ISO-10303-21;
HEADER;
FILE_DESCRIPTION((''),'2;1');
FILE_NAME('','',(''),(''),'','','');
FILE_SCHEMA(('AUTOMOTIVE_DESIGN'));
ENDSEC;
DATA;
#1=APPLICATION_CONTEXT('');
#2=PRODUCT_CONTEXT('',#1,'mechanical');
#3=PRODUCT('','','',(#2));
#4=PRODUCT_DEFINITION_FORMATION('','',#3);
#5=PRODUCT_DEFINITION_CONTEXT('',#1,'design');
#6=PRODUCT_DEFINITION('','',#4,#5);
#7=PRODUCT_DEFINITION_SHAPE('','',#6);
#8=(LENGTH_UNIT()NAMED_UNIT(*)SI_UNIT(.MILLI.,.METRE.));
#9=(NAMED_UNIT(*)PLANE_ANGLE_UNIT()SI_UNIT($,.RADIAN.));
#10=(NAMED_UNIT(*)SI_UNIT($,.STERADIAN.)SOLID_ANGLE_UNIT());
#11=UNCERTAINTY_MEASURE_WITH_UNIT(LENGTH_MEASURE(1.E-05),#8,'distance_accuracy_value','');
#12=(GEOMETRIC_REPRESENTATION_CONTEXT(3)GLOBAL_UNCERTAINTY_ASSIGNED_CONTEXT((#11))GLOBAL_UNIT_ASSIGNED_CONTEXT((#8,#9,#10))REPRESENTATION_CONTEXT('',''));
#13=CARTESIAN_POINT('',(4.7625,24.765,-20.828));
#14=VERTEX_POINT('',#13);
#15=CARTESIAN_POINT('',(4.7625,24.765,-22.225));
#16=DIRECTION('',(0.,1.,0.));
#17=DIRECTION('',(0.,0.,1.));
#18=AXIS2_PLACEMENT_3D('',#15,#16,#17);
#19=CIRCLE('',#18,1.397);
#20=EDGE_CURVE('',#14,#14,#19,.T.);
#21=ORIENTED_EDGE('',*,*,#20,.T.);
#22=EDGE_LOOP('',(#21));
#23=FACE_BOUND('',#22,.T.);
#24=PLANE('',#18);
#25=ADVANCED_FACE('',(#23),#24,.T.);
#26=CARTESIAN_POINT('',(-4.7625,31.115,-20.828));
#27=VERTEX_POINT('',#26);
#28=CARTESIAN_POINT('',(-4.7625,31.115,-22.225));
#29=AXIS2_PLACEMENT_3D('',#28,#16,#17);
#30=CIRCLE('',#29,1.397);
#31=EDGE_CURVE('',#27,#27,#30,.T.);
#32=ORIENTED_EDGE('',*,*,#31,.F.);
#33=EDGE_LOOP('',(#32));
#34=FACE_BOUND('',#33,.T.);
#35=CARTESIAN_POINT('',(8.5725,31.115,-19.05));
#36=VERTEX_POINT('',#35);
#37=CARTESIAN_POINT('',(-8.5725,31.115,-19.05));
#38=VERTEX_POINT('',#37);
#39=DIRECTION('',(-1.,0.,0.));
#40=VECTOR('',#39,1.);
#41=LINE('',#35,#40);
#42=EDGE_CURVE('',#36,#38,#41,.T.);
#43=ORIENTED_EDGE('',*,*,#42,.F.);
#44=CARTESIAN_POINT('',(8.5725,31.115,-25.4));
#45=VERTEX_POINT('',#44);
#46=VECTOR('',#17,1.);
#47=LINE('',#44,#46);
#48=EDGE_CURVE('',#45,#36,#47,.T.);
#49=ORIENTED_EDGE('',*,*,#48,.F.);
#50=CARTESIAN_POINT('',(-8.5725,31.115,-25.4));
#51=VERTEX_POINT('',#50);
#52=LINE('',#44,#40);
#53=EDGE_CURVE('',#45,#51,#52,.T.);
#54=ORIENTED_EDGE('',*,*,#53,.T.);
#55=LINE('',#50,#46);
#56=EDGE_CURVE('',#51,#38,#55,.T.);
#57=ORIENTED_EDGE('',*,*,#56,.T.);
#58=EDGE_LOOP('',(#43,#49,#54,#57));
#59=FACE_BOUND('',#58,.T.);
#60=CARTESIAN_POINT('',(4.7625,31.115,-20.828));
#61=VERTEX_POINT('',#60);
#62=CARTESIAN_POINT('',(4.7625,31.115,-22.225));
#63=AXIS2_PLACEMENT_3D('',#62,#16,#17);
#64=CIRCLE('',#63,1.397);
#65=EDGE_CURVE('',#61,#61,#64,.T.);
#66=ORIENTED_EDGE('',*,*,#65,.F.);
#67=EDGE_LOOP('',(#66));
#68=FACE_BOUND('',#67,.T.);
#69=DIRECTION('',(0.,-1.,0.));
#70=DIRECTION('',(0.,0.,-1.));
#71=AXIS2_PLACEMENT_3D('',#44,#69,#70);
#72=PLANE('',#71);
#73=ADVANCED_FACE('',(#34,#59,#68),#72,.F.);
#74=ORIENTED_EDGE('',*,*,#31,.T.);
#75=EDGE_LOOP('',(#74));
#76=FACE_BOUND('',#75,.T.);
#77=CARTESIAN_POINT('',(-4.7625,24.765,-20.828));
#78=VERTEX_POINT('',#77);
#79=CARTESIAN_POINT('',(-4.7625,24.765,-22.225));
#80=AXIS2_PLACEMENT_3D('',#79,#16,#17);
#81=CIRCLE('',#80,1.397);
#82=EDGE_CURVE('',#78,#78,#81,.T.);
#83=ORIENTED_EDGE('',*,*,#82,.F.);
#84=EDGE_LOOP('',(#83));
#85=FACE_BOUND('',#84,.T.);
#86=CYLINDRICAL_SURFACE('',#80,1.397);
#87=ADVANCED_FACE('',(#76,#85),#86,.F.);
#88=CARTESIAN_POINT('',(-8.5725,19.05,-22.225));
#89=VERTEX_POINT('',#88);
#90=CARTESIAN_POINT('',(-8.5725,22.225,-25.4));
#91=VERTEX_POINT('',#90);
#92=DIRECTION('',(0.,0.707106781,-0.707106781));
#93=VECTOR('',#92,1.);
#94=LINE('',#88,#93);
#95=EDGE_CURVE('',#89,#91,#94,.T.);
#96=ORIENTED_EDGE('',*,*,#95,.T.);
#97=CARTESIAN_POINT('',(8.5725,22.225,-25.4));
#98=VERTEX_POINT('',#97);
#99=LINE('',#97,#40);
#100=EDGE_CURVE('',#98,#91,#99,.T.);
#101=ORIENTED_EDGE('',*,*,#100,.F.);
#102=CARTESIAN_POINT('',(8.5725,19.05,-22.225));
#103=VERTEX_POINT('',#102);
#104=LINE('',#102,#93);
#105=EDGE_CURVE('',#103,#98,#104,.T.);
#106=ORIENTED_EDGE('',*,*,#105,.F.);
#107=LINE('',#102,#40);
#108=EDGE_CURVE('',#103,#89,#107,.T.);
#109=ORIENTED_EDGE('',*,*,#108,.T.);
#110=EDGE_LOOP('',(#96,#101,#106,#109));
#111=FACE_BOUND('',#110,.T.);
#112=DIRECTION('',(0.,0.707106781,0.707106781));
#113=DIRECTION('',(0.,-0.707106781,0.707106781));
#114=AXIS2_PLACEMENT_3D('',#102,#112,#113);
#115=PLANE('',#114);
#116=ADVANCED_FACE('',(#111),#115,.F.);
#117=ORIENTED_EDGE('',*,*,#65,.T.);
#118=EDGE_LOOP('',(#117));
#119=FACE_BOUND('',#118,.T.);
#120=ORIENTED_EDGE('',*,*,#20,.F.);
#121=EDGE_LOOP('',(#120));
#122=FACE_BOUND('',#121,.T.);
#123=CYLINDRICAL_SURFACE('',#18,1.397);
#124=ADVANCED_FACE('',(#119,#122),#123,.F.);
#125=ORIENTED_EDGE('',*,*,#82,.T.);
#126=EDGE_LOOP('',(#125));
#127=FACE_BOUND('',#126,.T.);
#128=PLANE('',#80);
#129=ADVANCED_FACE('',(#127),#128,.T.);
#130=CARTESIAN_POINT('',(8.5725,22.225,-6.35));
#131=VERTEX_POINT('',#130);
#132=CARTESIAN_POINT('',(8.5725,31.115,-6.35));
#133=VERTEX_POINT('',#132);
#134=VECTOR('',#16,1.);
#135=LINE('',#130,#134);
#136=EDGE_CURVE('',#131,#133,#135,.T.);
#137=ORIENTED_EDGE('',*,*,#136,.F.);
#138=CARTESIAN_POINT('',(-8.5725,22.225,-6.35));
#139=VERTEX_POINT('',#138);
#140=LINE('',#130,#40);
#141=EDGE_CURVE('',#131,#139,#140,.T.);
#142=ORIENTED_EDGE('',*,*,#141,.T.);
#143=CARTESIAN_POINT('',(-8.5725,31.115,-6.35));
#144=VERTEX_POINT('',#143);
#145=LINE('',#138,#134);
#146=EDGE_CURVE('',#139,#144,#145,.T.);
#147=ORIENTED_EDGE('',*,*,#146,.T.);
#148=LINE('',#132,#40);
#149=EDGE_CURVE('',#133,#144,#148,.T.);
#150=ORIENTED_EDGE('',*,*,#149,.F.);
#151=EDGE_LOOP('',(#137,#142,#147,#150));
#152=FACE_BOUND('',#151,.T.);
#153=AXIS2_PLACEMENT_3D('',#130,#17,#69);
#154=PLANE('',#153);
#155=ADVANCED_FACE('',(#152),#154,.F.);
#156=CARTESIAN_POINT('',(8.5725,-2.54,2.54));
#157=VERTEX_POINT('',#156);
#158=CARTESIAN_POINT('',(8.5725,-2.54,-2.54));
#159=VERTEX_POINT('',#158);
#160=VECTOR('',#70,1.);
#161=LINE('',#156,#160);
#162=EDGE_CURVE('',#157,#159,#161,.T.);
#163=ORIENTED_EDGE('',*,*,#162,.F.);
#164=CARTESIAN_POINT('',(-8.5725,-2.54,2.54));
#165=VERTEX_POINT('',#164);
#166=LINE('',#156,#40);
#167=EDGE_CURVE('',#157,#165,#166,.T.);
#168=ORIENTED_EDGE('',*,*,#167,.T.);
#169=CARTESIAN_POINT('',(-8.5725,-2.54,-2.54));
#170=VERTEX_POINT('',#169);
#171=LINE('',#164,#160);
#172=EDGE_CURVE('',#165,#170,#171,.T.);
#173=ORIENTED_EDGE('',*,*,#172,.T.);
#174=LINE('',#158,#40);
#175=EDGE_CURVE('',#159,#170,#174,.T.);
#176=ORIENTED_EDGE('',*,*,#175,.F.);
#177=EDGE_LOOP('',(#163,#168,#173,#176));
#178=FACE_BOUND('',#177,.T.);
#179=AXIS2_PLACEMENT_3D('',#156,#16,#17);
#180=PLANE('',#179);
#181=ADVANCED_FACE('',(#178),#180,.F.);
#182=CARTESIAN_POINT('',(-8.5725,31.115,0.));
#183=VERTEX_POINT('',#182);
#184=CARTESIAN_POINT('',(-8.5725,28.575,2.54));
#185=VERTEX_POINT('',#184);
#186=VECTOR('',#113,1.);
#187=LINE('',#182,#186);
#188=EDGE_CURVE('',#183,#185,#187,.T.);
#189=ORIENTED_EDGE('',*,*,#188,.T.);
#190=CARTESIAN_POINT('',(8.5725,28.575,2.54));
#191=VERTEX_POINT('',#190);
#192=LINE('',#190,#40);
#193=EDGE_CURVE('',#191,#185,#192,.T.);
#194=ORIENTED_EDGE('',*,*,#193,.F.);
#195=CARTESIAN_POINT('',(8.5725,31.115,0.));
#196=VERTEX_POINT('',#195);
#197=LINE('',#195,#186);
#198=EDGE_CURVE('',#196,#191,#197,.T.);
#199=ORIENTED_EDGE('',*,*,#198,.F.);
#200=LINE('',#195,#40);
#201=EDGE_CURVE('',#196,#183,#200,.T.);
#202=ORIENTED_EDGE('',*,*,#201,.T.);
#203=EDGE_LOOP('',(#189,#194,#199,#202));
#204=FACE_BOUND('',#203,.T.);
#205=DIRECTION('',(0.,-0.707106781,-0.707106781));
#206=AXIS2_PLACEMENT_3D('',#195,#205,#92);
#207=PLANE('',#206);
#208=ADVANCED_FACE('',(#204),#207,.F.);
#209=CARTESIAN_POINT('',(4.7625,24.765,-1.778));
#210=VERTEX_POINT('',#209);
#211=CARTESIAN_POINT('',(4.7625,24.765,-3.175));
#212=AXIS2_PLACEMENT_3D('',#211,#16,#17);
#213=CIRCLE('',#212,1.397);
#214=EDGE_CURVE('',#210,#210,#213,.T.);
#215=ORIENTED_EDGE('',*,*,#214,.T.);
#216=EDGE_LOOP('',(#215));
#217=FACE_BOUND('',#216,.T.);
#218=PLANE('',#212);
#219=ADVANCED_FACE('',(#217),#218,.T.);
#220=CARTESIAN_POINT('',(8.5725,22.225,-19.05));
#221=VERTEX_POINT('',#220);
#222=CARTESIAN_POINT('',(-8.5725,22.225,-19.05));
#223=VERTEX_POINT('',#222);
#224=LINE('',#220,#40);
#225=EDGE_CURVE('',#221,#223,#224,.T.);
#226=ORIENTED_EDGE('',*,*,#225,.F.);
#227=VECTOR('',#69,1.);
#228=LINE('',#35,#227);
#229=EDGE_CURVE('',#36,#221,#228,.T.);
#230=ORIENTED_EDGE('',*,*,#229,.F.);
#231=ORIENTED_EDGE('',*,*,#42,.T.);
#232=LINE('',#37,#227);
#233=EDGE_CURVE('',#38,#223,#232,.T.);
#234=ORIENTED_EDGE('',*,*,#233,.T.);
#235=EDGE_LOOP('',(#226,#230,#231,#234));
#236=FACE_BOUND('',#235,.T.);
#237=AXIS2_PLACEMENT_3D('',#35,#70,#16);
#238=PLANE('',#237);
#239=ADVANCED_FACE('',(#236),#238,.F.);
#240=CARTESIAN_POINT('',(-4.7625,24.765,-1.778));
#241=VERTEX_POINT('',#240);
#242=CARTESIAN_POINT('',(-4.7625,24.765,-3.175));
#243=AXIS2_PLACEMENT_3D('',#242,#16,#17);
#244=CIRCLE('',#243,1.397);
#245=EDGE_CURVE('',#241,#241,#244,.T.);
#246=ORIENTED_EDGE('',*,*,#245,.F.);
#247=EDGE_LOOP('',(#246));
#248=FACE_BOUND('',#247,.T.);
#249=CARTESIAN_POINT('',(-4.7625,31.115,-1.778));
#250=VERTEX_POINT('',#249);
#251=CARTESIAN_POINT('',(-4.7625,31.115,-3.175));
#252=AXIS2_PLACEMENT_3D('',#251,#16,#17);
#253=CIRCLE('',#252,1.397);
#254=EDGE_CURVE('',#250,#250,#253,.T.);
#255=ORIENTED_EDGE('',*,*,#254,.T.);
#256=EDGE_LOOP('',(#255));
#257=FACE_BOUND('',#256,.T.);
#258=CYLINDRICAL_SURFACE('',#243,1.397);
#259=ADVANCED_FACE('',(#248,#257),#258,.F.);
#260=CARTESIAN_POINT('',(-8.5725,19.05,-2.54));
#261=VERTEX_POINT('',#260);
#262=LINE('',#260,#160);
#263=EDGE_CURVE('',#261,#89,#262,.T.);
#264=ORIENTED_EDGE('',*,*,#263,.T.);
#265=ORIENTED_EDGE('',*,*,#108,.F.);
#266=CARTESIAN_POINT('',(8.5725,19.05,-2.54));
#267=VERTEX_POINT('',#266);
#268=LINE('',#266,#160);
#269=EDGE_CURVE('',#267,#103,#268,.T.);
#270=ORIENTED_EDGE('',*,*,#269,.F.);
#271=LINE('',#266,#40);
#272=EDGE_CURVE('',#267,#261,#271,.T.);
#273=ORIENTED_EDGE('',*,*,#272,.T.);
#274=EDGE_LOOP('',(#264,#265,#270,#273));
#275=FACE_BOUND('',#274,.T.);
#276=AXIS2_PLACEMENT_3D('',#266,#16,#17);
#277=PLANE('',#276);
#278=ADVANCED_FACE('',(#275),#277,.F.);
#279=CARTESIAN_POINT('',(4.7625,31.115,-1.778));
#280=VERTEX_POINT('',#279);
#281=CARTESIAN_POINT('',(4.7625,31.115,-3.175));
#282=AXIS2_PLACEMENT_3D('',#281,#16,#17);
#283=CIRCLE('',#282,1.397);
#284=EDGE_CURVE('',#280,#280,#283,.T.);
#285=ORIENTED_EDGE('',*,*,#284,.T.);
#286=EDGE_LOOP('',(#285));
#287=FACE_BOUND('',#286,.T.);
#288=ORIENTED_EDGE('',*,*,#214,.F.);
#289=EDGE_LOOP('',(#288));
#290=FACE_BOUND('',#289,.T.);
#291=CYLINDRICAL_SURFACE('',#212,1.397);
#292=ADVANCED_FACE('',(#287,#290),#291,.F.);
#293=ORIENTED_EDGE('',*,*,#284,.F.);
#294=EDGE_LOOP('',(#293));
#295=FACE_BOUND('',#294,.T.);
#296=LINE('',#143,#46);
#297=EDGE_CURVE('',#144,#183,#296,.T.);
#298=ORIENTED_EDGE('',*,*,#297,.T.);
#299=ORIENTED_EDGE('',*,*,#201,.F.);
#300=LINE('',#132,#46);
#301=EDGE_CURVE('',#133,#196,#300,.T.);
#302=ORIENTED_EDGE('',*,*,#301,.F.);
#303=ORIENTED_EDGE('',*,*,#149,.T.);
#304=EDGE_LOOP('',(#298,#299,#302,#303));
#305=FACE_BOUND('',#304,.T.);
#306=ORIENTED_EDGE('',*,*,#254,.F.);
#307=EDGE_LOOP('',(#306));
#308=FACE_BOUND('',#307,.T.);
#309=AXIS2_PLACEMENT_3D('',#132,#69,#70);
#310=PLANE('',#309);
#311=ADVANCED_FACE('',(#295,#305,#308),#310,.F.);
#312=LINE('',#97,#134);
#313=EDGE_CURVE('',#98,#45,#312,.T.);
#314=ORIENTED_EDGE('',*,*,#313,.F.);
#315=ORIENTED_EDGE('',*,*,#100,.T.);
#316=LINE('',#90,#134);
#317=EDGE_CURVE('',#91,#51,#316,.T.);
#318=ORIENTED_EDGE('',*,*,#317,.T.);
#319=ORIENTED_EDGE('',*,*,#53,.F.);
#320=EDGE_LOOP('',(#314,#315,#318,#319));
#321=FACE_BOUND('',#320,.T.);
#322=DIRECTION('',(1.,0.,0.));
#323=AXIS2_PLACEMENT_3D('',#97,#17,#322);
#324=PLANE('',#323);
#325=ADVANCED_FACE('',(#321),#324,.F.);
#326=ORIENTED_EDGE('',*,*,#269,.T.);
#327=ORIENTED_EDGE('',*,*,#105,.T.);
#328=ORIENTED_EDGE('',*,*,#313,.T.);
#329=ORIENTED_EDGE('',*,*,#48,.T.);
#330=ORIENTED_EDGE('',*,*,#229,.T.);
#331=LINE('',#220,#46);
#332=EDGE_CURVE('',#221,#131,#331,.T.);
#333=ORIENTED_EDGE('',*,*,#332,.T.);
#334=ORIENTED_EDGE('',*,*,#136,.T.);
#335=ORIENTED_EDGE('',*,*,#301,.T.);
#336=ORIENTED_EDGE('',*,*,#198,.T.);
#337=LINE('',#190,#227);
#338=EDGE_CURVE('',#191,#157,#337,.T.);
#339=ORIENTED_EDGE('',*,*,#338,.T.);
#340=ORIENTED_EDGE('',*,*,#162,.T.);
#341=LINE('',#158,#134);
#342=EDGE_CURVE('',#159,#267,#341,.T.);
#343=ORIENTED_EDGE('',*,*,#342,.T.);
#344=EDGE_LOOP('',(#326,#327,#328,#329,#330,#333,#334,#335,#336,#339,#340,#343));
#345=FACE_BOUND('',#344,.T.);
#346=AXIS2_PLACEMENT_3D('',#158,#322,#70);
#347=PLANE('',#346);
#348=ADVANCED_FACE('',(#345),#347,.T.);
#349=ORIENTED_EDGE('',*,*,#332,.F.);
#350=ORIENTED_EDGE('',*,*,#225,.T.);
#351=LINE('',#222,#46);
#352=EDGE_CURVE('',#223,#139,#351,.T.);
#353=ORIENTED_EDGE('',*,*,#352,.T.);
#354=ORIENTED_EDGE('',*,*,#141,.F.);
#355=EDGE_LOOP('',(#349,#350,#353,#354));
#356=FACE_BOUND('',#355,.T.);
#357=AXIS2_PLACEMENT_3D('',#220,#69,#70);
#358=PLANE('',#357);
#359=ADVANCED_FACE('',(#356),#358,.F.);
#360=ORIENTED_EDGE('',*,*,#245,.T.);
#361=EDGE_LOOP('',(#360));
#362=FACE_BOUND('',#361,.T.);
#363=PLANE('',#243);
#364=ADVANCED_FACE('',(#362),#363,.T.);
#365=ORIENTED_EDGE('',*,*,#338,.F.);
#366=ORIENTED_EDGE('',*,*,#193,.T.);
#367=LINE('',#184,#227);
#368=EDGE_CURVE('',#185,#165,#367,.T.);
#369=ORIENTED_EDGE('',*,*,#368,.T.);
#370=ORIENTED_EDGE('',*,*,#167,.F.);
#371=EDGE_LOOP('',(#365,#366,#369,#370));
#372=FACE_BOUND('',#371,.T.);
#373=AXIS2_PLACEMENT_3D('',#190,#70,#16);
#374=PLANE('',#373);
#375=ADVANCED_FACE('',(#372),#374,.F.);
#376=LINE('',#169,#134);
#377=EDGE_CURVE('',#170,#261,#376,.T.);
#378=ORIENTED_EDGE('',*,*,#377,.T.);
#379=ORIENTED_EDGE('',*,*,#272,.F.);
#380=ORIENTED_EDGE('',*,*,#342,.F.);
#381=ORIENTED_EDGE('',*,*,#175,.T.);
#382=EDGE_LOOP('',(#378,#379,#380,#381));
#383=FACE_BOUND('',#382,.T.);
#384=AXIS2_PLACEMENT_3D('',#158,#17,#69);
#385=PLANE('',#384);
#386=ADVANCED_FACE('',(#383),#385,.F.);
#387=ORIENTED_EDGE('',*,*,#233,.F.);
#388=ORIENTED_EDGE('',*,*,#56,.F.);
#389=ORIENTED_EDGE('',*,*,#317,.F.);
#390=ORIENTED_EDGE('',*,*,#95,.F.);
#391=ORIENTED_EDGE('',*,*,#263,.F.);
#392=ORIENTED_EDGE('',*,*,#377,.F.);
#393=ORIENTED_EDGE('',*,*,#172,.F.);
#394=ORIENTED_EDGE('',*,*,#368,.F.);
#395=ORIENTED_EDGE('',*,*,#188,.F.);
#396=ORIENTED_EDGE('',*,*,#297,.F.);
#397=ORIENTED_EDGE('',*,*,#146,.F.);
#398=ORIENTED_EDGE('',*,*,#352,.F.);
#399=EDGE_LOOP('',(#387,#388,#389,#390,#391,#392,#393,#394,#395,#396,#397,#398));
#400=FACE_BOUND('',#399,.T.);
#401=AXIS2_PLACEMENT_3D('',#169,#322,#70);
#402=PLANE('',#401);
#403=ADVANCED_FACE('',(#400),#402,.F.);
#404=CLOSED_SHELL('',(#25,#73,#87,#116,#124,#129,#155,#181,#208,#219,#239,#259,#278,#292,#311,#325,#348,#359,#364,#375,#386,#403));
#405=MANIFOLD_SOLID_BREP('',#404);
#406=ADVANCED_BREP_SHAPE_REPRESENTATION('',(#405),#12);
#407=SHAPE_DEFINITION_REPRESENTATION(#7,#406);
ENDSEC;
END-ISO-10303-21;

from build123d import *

# Parameters (mm, degrees)
EXTRUDE1_DEPTH     = 8.5725
SKETCH2_R          = 1.397
CUT_EXTRUDE1_DEPTH = 6.35


with BuildPart() as part:
    # Sketch1 → Extrude1 (new, symmetric)
    with BuildSketch(Plane(origin=(0, 0, 0), x_dir=(0, 0, -1), z_dir=(1, 0, 0))):
        Polygon((-2.54, 28.575), (-2.54, -2.54), (2.54, -2.54), (2.54, 19.05), (22.225, 19.05), (25.4, 22.225), (25.4, 31.115), (19.05, 31.115), (19.05, 22.225), (6.35, 22.225), (6.35, 31.115), (0, 31.115), align=None)
    extrude(amount=EXTRUDE1_DEPTH, both=True)

    # Sketch2 → Cut-Extrude1 (cut)
    with BuildSketch(Plane(origin=(0, 31.115, 0), x_dir=(-1, 0, 0), z_dir=(0, 1, 0))):
        with Locations((-4.7625, -22.225)):
            Circle(SKETCH2_R)
        with Locations((4.7625, -22.225)):
            Circle(SKETCH2_R)
        with Locations((-4.7625, -3.175)):
            Circle(SKETCH2_R)
        with Locations((4.7625, -3.175)):
            Circle(SKETCH2_R)
    extrude(amount=-CUT_EXTRUDE1_DEPTH, mode=Mode.SUBTRACT)


solid = part.part
